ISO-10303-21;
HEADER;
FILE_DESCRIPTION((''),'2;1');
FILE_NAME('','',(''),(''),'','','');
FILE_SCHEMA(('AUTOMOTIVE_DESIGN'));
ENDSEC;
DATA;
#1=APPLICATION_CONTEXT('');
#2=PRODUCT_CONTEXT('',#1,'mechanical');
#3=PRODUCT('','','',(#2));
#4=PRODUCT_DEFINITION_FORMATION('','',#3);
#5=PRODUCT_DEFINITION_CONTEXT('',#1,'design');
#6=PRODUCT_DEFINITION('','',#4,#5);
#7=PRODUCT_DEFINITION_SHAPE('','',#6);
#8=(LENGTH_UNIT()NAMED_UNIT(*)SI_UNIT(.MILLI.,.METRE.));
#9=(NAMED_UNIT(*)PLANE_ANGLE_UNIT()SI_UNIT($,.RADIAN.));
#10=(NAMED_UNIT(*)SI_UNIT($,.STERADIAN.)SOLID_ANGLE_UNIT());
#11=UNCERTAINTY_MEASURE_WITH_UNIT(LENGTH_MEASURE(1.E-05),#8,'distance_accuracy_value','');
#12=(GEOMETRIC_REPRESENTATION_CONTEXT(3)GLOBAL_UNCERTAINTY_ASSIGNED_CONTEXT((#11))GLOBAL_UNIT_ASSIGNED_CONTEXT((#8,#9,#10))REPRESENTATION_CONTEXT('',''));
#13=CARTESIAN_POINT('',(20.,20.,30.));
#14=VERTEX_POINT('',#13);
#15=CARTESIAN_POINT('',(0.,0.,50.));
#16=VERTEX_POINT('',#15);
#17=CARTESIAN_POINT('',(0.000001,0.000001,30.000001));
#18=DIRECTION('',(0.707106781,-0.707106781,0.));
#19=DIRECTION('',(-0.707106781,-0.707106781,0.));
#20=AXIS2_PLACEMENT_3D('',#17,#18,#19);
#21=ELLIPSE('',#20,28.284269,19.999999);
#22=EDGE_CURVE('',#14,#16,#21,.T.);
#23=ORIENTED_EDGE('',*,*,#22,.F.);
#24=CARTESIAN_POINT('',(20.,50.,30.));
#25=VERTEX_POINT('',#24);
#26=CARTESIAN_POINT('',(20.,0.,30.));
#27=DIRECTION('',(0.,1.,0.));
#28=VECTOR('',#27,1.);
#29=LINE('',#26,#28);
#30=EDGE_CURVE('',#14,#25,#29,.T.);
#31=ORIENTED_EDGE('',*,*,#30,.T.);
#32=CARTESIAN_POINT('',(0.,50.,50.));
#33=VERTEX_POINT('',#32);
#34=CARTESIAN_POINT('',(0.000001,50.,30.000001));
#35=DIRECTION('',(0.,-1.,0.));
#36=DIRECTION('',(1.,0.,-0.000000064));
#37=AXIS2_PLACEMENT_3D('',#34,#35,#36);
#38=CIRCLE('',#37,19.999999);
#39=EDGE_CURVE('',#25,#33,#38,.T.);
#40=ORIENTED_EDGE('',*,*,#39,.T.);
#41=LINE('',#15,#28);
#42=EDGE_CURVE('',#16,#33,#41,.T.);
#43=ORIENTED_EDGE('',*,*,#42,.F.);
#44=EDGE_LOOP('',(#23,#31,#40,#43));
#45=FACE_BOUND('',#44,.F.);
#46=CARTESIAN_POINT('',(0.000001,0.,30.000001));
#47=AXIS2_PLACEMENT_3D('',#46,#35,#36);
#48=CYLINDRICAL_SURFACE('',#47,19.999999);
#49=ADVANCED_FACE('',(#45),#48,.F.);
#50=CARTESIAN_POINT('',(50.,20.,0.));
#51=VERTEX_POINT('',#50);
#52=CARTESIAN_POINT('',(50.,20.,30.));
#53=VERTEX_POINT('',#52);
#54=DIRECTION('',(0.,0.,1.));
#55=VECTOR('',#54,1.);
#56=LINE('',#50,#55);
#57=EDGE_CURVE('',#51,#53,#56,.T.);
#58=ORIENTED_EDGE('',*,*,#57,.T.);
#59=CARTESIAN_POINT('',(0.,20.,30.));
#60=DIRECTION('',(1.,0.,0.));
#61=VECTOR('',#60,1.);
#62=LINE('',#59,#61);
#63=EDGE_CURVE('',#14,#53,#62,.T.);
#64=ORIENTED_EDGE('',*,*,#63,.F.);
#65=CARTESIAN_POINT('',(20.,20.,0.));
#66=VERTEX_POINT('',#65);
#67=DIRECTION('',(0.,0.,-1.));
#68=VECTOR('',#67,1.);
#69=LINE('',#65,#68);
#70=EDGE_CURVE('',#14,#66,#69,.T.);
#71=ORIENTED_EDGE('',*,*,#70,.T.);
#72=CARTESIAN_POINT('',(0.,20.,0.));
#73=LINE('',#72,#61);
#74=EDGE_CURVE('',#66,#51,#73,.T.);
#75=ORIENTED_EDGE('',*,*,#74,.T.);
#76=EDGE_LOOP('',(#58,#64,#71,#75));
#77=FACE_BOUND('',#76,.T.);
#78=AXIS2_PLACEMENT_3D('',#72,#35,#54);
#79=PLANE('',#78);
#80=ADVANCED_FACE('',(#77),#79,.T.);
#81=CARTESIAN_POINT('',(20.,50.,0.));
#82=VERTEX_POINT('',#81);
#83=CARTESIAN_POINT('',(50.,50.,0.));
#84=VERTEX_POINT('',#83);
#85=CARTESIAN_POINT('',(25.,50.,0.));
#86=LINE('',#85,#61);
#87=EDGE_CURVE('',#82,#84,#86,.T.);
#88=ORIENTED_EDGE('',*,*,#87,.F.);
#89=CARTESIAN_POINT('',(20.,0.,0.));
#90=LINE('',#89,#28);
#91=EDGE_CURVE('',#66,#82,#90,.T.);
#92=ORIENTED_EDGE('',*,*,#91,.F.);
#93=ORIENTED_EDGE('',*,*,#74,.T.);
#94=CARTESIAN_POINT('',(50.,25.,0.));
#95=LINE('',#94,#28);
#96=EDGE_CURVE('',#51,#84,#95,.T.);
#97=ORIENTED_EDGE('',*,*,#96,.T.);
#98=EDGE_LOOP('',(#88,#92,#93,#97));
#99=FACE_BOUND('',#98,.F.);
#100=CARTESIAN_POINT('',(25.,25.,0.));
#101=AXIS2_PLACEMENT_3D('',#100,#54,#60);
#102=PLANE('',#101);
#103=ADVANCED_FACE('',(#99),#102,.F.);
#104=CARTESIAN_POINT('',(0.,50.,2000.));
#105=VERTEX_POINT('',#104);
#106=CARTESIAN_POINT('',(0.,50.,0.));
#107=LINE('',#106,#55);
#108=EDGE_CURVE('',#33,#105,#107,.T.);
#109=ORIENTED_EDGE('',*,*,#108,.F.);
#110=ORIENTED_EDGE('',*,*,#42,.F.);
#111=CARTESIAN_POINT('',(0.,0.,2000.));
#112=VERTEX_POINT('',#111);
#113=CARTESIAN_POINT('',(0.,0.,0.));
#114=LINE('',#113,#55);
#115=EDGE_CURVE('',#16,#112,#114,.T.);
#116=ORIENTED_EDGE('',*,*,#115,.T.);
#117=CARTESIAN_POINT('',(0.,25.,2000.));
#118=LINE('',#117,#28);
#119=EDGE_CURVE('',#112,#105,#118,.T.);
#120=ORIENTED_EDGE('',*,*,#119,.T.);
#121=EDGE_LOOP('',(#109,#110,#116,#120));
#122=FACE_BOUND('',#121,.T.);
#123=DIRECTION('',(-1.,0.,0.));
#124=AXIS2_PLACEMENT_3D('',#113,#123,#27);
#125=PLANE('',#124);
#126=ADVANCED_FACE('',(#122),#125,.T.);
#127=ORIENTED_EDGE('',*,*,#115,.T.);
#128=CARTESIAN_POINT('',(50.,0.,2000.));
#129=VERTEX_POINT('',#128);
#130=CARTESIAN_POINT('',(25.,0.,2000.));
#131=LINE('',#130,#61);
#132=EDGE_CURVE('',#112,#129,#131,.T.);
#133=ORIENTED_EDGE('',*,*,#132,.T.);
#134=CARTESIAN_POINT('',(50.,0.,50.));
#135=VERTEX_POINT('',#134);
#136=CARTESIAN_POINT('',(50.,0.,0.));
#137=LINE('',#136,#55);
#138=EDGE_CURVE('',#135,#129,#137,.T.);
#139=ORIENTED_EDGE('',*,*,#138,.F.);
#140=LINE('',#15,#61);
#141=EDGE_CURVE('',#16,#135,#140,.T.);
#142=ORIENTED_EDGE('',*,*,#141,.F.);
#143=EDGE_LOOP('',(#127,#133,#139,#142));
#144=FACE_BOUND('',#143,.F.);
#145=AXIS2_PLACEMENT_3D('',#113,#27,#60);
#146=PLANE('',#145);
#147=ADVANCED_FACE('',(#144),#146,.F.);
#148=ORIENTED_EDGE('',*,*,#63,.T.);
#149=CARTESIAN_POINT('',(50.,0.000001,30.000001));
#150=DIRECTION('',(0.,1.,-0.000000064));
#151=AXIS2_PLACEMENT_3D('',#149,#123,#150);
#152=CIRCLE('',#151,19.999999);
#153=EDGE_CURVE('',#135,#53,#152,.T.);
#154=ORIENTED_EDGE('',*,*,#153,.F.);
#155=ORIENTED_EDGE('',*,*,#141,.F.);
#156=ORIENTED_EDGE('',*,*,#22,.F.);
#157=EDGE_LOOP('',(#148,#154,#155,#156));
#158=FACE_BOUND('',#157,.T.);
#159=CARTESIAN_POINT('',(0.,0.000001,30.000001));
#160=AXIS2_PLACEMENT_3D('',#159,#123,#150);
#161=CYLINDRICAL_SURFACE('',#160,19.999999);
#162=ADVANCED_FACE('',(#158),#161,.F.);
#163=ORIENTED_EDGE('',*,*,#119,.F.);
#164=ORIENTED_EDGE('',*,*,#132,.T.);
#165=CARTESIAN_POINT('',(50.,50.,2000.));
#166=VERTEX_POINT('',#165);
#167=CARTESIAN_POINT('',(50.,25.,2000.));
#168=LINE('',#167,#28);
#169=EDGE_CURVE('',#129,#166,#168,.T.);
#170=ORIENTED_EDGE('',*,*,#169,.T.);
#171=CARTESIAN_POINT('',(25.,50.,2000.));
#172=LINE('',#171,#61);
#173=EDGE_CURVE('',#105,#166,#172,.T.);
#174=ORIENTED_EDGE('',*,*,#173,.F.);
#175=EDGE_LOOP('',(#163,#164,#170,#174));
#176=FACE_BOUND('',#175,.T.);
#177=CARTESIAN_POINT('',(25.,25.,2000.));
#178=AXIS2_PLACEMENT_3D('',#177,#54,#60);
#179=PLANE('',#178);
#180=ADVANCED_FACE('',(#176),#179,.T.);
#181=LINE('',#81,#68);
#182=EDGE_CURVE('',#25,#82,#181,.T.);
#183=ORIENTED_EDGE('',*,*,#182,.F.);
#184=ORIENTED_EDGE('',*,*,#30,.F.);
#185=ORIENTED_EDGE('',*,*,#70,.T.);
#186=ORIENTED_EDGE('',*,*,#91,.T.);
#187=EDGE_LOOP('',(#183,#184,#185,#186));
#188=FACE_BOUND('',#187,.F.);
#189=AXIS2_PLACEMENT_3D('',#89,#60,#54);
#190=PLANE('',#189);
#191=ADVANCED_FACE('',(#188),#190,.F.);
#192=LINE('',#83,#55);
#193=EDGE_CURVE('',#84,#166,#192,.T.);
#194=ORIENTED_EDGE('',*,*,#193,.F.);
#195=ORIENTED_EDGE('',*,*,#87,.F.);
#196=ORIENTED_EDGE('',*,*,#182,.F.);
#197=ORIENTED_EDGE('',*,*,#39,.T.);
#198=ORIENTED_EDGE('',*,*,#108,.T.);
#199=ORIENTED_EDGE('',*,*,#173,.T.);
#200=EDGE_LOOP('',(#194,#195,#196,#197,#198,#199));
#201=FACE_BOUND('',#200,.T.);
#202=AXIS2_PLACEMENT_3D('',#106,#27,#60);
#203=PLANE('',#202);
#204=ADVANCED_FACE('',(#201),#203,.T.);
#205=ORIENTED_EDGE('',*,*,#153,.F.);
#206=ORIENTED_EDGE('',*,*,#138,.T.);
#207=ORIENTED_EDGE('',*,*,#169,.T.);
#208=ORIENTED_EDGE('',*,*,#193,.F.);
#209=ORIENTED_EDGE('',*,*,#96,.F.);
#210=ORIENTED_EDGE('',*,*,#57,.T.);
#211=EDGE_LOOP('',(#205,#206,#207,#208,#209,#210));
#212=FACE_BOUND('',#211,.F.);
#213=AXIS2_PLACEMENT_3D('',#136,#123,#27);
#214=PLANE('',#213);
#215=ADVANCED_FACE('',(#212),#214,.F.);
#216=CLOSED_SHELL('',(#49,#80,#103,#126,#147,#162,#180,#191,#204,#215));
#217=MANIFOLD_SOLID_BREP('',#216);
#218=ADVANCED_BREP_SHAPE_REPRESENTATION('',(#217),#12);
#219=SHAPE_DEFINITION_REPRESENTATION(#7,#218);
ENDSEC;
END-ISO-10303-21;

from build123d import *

# Parameters (mm, degrees)
F0_W     = 50
F0_H     = 50
F1_DEPTH = 2000
F3_DEPTH = 50.001
F5_DEPTH = 50.001


with BuildPart() as f1:
    # F0 (on Top) → F1 (new body)
    with BuildSketch(Plane.XY):
        with Locations((25, 25)):
            Rectangle(F0_W, F0_H)
    extrude(amount=F1_DEPTH)

    # F2 (on Front) → F3 (cut, through all)
    with BuildSketch(Plane.XZ):
        with BuildLine():
            Line((0, 50), (0, 0))
            Line((0, 0), (20, 0))
            Line((20, 0), (20, 30))
            ThreePointArc((20, 30), (14.142136, 44.142136), (0, 50))
        make_face()
    extrude(amount=-F3_DEPTH, mode=Mode.SUBTRACT)

    # F4 (on Right) → F5 (cut, through all)
    with BuildSketch(Plane.YZ):
        with BuildLine():
            Line((0, 50), (0, 0))
            Line((0, 0), (20, 0))
            Line((20, 0), (20, 30))
            ThreePointArc((20, 30), (14.142136, 44.142136), (0, 50))
        make_face()
    extrude(amount=F5_DEPTH, mode=Mode.SUBTRACT)


solid = f1.part
